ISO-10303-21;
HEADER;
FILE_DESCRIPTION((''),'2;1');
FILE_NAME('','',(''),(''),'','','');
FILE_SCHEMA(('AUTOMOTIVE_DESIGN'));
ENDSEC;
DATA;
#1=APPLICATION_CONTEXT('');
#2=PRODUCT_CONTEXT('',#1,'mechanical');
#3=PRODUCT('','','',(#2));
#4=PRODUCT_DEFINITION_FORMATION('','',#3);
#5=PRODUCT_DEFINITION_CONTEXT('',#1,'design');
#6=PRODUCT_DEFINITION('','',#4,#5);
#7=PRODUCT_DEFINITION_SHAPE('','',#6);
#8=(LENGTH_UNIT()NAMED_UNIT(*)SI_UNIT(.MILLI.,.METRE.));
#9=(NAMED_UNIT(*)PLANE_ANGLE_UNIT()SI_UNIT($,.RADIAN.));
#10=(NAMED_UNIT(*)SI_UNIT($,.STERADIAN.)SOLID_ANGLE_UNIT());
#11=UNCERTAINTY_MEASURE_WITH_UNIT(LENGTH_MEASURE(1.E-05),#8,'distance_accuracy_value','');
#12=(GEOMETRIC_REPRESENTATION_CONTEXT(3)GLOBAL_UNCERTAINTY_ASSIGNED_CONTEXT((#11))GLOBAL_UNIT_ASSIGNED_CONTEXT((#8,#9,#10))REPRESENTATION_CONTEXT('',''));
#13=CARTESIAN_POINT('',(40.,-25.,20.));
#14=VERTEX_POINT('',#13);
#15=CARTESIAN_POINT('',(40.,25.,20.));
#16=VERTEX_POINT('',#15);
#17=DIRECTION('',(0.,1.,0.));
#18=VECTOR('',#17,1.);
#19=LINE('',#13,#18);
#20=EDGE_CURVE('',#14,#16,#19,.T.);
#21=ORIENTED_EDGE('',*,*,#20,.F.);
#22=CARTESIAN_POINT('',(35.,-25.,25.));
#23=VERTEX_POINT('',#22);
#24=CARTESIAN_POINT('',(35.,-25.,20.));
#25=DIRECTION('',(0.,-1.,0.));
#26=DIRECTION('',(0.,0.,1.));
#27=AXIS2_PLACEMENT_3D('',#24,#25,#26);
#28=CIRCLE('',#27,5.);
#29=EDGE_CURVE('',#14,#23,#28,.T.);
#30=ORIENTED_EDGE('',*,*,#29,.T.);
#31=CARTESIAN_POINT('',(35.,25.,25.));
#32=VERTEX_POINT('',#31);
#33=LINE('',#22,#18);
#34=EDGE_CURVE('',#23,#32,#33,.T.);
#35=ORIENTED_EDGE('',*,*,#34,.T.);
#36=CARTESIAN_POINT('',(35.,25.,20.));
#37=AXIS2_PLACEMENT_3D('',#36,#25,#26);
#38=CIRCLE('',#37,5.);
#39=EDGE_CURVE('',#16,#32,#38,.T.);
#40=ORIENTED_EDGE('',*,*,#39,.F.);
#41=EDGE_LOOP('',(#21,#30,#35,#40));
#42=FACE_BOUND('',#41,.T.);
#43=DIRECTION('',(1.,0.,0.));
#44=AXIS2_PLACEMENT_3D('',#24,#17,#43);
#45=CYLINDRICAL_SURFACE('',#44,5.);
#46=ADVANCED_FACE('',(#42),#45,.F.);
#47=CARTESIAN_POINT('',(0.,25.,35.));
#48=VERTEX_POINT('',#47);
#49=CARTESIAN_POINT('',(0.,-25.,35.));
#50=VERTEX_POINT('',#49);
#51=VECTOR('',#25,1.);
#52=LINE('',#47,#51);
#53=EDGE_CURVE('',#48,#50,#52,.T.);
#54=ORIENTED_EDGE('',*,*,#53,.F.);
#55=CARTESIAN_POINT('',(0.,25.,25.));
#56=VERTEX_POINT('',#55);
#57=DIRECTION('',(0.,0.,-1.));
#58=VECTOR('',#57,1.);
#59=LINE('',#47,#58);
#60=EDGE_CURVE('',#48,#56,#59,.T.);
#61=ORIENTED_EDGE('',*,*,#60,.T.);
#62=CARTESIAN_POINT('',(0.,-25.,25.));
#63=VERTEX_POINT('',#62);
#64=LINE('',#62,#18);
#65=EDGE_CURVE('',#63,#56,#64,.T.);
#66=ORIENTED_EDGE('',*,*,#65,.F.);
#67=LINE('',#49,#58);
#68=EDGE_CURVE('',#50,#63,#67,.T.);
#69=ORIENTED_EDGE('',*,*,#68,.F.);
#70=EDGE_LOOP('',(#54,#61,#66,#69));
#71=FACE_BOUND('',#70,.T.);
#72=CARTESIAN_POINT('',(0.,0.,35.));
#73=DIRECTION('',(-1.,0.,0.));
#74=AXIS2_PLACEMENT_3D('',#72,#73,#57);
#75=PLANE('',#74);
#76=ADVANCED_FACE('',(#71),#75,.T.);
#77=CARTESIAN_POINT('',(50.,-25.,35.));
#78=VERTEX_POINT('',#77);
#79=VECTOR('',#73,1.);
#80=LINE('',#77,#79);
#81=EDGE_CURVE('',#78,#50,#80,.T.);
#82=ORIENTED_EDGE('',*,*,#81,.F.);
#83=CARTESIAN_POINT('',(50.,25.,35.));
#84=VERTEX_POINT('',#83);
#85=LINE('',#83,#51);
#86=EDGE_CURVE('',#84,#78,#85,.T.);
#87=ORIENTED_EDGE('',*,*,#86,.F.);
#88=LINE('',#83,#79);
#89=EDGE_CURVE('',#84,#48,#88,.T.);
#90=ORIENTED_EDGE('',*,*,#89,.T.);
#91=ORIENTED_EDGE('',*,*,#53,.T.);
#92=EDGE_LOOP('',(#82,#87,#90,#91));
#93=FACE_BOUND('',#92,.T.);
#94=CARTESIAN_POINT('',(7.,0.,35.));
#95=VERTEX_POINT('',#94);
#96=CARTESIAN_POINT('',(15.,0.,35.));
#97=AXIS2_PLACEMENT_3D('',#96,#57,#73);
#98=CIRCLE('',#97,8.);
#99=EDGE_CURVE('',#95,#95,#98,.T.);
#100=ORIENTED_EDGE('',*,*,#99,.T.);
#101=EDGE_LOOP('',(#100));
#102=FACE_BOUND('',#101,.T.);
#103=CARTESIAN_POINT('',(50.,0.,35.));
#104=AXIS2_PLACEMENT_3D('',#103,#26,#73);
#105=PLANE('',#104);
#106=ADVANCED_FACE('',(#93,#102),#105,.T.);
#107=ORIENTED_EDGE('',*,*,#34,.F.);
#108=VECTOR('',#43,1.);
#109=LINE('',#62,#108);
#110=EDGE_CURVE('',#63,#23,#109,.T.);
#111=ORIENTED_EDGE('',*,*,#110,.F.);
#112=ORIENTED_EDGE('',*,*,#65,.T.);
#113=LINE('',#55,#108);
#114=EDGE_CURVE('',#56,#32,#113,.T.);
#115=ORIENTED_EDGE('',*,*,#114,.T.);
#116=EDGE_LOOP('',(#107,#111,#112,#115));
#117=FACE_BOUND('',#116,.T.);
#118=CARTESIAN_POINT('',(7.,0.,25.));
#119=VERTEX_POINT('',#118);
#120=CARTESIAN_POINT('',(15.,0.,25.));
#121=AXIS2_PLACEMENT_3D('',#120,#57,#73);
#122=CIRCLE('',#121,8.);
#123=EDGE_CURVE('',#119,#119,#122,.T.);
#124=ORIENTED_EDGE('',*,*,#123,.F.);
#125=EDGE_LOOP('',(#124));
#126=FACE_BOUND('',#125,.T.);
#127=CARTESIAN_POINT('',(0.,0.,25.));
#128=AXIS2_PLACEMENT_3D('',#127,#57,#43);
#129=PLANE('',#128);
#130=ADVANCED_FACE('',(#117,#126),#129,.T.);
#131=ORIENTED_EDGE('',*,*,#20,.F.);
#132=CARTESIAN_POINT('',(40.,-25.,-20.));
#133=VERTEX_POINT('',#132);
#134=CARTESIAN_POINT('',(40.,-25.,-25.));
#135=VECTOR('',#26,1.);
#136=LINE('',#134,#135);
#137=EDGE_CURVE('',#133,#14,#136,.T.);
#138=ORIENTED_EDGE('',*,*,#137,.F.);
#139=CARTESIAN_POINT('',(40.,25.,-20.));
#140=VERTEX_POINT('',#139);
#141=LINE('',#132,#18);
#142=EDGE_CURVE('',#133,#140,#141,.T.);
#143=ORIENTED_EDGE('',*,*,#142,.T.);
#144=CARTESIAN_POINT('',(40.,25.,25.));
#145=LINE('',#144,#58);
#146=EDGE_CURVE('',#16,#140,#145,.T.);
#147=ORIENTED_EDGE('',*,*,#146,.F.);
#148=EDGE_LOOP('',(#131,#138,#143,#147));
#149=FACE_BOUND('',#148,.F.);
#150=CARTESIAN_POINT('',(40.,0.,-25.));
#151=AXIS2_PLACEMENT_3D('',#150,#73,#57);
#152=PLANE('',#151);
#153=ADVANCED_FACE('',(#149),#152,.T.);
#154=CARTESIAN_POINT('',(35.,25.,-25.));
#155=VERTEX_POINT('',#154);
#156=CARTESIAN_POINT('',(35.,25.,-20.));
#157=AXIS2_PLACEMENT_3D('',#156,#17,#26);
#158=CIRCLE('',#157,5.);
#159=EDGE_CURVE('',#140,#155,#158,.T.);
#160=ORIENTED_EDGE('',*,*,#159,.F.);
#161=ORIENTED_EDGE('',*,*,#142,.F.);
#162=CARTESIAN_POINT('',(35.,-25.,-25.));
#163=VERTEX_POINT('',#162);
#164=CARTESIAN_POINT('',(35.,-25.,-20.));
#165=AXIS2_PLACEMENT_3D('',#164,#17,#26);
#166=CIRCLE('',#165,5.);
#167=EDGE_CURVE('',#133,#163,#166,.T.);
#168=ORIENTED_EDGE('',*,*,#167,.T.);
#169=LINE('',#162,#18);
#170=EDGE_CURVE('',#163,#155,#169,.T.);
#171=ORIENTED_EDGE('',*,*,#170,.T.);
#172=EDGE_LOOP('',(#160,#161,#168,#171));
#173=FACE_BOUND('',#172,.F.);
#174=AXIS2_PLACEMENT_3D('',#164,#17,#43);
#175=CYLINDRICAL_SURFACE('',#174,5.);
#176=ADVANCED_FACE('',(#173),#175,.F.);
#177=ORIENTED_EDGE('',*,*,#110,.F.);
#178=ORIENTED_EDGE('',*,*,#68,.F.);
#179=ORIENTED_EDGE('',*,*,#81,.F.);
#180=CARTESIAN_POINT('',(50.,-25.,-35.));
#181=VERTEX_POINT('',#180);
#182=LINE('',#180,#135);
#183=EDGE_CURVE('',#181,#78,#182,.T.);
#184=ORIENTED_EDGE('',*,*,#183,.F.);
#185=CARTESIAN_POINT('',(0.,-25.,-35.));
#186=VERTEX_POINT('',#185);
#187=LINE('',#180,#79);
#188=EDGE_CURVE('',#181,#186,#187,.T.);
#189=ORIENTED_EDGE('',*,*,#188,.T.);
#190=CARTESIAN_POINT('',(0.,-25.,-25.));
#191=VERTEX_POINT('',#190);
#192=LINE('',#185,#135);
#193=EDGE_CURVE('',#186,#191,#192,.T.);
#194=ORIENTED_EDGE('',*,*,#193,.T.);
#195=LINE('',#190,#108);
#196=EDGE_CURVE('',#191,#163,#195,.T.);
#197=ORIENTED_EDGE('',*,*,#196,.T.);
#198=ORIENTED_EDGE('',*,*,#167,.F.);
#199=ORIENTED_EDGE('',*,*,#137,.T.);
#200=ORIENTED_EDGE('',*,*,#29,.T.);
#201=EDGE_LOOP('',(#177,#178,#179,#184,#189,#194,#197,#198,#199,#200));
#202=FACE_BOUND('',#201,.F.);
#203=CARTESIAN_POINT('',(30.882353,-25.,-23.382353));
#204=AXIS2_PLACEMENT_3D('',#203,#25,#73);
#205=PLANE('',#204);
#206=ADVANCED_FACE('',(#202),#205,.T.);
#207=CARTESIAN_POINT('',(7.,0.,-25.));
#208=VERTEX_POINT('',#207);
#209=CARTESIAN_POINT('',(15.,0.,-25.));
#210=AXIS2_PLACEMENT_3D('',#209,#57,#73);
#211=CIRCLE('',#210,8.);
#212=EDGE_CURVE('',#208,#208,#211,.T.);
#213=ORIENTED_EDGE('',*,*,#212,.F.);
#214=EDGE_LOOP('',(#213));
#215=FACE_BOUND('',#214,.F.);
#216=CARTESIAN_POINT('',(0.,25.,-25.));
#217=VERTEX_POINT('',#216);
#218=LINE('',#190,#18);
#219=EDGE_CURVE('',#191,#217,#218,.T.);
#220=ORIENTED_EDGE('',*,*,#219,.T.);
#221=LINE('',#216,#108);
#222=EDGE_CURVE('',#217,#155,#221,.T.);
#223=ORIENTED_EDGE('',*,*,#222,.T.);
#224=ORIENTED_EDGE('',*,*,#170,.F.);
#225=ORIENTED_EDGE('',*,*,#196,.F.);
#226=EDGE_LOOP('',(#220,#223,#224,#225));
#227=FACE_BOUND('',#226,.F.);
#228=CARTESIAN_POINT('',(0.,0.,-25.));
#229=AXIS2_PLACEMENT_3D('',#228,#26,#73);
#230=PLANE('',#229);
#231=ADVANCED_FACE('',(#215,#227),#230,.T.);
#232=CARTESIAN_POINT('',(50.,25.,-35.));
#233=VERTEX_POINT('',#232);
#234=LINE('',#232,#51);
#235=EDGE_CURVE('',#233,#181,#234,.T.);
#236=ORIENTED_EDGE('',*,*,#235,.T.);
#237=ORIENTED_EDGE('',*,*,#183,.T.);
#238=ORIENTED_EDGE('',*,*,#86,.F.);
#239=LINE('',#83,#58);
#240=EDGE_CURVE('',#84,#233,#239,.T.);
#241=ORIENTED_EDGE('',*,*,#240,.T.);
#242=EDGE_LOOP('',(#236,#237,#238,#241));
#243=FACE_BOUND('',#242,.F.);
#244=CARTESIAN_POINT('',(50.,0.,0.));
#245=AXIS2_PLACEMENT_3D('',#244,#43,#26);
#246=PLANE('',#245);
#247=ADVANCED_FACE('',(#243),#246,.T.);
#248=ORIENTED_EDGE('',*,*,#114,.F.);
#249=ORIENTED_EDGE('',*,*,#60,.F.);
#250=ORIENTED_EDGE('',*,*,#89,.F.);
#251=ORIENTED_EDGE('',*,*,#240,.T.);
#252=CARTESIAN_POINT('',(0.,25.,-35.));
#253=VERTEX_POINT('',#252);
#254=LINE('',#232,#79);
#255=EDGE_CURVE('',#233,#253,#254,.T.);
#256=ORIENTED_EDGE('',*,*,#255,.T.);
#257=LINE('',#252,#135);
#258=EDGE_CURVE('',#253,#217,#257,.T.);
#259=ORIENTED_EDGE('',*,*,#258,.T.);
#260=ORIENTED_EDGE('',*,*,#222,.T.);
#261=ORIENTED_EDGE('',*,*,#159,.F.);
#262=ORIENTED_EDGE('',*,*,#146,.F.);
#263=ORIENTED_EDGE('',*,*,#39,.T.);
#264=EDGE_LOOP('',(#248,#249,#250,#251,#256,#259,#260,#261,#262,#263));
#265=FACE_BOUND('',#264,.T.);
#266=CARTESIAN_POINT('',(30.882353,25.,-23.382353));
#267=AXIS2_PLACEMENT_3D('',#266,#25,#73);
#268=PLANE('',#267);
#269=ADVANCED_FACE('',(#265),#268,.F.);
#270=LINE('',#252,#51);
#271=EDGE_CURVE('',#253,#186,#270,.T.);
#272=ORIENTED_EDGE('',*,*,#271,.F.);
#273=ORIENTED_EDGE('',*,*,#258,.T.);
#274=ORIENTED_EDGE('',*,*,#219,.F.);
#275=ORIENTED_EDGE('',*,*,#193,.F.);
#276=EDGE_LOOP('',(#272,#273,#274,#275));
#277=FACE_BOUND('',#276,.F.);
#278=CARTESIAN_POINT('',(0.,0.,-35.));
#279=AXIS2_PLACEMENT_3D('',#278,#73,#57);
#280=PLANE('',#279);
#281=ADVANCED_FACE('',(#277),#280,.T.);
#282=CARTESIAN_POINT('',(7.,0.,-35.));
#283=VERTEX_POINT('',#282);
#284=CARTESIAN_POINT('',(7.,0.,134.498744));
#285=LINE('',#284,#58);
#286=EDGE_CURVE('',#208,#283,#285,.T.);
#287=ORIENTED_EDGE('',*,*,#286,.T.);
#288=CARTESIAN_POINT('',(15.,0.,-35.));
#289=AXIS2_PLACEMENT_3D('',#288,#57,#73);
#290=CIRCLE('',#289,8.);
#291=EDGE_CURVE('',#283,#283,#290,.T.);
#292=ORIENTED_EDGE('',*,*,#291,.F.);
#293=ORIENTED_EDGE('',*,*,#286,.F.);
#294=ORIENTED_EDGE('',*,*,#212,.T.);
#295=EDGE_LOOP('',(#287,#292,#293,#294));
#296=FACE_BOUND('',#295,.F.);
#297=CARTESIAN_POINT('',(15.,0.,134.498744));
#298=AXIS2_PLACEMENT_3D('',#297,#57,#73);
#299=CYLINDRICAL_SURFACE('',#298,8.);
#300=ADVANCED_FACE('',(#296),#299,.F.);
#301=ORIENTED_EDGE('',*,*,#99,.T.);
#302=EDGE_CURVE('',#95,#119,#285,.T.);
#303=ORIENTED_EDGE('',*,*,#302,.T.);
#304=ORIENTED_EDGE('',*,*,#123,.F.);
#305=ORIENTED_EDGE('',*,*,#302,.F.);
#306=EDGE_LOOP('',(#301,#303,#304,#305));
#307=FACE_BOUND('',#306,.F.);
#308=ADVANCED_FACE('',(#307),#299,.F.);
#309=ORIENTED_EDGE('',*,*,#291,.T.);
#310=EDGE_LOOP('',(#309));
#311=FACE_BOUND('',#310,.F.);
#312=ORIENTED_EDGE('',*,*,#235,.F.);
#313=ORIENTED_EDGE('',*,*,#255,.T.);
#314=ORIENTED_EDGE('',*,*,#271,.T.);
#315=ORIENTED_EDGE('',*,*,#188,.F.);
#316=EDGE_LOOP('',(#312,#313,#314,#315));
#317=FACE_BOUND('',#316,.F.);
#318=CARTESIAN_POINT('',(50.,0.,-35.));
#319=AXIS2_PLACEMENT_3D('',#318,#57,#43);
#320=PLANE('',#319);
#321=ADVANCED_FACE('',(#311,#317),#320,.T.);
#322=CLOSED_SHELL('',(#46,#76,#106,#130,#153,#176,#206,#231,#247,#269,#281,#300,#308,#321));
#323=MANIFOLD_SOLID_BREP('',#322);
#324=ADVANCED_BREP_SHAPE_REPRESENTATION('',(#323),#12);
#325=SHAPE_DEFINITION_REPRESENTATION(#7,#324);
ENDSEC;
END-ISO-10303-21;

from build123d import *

# Parameters (mm, degrees)
F1_DEPTH = 25
F4_D     = 16
F5_R     = 5


with BuildPart() as f1:
    # F0 (on Front) → F1 (new body, symmetric)
    with BuildSketch(Plane.XZ):
        Polygon((40, 0), (50, 0), (50, 35), (0, 35), (0, 25), (40, 25), align=None)
    extrude(amount=F1_DEPTH, both=True)

    # F2: F1 across plane


with BuildPart() as f1_1:
    add(f1.part)
    add(f1.part.mirror(Plane.XY))

    # F4 (through all)
    with Locations(Plane.XY.offset(35)):
        with Locations((15, 0)):
            Hole(F4_D / 2)

    # F5
    f5_edges = [f1_1.edges().sort_by_distance(p)[0] for p in [
        (40, 0, 25),
        (40, 0, -25),
    ]]
    fillet(f5_edges, radius=F5_R)


solid = f1_1.part
